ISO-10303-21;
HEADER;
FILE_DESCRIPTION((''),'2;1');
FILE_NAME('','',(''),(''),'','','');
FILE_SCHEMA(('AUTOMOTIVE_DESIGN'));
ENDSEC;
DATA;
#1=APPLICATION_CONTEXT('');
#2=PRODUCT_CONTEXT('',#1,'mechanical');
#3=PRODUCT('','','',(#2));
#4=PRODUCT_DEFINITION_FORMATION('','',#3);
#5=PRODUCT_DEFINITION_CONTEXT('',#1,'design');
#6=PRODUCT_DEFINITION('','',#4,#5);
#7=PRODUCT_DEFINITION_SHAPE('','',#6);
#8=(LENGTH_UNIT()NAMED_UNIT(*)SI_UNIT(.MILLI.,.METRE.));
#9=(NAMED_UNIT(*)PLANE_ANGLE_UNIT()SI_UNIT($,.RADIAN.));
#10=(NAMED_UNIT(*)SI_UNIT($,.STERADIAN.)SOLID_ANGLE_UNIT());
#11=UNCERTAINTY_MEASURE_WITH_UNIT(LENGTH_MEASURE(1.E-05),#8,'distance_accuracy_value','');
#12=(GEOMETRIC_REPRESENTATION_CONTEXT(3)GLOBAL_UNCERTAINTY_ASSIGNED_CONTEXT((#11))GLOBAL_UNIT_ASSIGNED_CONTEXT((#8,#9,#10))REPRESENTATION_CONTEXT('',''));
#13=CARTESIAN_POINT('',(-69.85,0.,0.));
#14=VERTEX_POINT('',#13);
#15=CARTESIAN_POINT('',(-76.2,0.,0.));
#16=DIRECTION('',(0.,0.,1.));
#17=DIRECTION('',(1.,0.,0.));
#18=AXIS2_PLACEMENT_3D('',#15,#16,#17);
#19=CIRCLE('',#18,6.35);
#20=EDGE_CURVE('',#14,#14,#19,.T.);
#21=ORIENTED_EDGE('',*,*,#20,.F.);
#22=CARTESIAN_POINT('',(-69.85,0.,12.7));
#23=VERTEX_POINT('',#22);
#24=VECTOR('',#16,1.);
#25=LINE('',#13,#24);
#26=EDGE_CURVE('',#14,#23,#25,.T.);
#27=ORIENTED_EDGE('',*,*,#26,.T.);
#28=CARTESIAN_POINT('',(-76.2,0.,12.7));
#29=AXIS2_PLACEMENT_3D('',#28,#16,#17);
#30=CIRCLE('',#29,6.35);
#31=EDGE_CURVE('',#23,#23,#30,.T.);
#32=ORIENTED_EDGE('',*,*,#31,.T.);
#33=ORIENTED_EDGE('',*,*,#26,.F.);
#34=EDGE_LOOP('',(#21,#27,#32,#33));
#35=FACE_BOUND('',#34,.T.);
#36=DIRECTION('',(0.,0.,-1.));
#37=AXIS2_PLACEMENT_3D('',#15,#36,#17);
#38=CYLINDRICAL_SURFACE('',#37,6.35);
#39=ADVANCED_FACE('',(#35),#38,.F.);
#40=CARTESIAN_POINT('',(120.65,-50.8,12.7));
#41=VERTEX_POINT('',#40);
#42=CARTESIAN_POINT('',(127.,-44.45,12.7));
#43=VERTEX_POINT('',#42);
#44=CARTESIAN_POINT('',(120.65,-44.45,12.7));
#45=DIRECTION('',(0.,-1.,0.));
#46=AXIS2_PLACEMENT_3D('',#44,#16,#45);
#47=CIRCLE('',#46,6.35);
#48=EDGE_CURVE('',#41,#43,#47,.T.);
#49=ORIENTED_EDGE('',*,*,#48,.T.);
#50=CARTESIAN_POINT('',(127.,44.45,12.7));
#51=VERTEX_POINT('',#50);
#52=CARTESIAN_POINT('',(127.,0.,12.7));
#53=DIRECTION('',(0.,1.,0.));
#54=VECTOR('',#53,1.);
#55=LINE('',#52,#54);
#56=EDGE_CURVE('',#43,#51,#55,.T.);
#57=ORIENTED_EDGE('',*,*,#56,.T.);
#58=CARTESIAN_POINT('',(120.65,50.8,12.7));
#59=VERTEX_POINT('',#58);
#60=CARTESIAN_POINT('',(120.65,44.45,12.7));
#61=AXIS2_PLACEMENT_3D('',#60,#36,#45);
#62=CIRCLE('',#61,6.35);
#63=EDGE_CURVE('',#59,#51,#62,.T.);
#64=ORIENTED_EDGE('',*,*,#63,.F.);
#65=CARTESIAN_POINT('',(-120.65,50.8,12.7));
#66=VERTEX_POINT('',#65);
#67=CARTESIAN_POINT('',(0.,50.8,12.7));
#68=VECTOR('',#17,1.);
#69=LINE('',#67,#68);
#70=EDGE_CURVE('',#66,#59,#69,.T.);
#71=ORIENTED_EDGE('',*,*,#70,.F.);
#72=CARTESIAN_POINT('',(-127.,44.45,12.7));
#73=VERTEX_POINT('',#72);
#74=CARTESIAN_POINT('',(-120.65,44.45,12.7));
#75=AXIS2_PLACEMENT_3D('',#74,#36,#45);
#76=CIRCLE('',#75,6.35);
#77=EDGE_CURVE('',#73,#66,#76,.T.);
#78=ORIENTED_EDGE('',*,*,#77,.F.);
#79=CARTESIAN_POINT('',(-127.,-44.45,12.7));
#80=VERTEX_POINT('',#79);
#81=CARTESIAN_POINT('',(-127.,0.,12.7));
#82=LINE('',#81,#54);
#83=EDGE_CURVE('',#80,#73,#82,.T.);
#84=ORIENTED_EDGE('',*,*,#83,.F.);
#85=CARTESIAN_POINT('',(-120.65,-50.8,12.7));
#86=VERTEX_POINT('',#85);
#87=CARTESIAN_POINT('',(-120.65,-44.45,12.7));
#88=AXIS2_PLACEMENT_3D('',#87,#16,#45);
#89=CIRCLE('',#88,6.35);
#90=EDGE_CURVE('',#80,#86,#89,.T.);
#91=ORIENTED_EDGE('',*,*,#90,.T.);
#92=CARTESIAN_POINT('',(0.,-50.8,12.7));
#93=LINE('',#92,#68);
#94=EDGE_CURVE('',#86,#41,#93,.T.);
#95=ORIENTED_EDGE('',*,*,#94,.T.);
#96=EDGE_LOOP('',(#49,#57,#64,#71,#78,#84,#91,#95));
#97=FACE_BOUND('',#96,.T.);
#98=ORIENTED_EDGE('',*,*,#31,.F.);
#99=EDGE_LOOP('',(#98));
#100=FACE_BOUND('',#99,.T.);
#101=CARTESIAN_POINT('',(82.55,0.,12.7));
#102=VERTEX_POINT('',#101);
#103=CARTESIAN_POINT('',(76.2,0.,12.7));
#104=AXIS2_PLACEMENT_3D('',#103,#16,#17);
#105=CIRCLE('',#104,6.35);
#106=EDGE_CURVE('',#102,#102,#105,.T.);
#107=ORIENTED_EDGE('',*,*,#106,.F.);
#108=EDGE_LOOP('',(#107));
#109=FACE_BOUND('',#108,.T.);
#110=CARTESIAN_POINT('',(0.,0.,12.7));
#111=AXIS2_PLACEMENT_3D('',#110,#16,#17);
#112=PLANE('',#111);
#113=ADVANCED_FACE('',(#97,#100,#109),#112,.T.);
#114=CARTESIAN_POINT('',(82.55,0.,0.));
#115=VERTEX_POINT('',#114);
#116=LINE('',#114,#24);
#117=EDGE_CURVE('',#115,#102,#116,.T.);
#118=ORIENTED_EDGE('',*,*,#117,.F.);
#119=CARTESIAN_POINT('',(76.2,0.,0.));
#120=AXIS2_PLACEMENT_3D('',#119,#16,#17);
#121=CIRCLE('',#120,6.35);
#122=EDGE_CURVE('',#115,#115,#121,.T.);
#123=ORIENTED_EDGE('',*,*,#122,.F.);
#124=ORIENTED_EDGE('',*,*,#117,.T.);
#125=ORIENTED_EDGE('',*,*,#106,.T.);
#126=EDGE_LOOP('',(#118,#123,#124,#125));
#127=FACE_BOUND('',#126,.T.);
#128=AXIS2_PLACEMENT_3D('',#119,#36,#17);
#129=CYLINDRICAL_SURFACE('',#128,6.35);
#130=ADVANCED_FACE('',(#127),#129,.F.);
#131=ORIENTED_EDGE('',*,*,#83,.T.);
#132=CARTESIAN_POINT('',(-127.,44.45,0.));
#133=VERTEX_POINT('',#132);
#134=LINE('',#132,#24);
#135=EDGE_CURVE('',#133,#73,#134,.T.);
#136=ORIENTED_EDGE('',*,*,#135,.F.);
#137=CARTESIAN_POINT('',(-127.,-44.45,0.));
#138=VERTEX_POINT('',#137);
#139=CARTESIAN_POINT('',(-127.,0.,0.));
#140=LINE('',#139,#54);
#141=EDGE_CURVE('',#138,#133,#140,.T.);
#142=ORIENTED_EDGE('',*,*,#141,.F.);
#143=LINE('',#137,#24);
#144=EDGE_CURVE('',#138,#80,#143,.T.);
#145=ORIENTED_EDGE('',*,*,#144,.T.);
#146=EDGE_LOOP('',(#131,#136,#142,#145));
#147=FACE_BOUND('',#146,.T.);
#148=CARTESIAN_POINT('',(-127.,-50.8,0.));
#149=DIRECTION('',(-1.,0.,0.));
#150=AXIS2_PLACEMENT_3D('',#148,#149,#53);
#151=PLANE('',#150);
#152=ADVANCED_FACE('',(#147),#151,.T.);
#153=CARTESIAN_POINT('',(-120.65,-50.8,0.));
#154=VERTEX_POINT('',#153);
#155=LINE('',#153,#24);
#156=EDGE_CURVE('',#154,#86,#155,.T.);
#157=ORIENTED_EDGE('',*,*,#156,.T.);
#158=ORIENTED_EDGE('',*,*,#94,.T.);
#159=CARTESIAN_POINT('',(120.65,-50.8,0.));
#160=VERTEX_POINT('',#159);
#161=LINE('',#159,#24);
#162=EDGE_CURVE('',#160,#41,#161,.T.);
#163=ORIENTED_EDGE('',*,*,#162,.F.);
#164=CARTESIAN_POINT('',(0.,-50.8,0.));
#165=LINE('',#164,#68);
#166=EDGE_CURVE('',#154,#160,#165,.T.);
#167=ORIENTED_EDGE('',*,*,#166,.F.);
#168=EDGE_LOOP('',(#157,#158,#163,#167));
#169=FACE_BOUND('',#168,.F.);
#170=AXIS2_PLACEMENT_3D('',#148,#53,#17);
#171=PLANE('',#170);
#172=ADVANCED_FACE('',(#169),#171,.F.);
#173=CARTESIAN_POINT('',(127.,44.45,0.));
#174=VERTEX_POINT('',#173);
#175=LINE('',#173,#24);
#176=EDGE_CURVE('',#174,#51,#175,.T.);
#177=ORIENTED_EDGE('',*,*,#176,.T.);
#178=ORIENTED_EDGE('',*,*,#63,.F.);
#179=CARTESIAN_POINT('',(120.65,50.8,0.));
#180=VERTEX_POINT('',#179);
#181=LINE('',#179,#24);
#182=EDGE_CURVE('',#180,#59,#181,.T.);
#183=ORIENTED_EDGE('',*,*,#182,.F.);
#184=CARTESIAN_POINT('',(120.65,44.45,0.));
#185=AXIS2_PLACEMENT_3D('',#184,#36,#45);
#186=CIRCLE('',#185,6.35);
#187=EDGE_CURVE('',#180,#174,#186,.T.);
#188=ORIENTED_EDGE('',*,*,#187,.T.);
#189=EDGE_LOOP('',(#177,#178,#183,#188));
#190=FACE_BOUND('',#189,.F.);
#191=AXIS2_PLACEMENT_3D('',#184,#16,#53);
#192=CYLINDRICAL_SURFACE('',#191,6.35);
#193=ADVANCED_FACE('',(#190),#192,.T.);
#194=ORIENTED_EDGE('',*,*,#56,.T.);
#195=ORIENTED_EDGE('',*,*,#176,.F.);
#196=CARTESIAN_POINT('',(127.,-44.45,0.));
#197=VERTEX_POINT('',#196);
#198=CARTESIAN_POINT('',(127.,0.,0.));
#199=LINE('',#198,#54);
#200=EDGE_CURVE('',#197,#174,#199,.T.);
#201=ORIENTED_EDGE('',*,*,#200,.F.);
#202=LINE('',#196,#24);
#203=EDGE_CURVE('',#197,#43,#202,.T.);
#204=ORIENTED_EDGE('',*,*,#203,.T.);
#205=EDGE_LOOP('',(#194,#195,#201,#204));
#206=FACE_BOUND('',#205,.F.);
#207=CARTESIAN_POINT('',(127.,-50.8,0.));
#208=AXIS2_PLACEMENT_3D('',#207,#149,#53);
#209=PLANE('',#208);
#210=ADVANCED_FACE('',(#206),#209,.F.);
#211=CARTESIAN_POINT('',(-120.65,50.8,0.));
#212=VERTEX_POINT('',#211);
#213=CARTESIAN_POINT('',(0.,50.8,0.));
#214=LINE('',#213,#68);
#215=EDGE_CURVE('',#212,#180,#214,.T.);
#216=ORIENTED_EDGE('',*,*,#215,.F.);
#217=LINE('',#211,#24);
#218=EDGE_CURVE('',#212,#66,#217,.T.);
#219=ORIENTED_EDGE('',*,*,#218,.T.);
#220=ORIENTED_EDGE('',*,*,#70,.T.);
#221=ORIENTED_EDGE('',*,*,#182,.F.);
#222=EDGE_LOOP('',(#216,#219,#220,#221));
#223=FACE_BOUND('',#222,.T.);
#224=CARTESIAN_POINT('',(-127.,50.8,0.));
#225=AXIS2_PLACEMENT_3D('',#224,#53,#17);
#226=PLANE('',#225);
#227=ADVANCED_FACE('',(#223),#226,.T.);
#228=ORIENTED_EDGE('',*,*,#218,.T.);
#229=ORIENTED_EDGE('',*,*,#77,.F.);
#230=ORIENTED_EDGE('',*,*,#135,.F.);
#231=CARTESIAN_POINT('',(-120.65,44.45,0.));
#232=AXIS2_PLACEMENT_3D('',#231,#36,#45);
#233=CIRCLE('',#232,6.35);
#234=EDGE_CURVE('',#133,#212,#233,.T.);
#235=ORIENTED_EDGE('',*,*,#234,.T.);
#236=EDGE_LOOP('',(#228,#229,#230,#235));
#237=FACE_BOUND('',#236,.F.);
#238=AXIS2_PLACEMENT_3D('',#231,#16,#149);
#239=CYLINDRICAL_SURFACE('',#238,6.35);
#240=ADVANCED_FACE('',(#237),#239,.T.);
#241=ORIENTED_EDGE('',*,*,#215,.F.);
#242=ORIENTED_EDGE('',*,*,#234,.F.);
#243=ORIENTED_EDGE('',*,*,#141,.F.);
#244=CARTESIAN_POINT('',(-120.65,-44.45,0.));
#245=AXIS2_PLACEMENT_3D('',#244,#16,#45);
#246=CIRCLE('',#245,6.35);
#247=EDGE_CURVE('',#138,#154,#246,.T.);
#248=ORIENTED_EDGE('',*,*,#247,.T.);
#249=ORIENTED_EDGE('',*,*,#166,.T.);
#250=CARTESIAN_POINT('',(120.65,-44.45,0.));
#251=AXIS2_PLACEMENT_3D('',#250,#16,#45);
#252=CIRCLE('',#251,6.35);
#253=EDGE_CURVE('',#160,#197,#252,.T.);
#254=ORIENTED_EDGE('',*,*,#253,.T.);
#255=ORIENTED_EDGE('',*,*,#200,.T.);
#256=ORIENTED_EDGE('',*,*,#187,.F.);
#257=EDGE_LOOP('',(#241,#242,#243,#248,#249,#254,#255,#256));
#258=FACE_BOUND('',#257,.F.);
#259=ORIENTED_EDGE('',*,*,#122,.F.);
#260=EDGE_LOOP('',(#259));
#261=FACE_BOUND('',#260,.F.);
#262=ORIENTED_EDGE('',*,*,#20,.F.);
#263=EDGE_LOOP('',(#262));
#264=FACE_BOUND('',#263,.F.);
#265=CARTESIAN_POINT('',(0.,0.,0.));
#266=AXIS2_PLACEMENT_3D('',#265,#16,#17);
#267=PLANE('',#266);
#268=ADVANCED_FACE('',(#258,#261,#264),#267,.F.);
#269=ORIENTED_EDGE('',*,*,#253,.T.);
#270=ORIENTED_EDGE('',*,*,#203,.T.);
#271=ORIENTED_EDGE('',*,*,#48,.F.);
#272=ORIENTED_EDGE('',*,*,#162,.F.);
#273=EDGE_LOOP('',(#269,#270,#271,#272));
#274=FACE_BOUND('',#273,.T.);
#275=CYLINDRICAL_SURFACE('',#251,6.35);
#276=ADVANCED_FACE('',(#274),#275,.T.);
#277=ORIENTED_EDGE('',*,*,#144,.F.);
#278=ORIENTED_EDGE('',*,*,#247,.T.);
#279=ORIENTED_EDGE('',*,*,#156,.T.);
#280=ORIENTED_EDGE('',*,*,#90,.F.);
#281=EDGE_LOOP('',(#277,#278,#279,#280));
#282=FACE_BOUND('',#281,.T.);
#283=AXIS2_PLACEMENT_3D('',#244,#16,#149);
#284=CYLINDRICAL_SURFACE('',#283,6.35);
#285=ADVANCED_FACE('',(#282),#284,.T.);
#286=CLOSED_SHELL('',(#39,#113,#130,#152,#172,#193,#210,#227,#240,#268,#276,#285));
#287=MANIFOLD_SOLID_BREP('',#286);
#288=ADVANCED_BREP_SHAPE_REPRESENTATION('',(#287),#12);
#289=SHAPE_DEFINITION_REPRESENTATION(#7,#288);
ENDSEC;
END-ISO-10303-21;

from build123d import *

# Parameters (mm, degrees)
F0_W     = 254
F0_H     = 101.6
F0_R     = 6.35
F1_DEPTH = 12.7
F2_R     = 6.35


with BuildPart() as f1:
    # F0 (on Top) → F1 (new body)
    with BuildSketch(Plane.XY):
        Rectangle(F0_W, F0_H)
        with Locations((-76.2, 0)):
            Circle(F0_R, mode=Mode.SUBTRACT)
        with Locations((76.2, 0)):
            Circle(F0_R, mode=Mode.SUBTRACT)
    extrude(amount=F1_DEPTH)

    # F2
    f2_edges = [f1.edges().sort_by_distance(p)[0] for p in [
        (-127, 50.8, 6.35),
        (-127, -50.8, 6.35),
        (127, -50.8, 6.35),
        (127, 50.8, 6.35),
    ]]
    fillet(f2_edges, radius=F2_R)


solid = f1.part
